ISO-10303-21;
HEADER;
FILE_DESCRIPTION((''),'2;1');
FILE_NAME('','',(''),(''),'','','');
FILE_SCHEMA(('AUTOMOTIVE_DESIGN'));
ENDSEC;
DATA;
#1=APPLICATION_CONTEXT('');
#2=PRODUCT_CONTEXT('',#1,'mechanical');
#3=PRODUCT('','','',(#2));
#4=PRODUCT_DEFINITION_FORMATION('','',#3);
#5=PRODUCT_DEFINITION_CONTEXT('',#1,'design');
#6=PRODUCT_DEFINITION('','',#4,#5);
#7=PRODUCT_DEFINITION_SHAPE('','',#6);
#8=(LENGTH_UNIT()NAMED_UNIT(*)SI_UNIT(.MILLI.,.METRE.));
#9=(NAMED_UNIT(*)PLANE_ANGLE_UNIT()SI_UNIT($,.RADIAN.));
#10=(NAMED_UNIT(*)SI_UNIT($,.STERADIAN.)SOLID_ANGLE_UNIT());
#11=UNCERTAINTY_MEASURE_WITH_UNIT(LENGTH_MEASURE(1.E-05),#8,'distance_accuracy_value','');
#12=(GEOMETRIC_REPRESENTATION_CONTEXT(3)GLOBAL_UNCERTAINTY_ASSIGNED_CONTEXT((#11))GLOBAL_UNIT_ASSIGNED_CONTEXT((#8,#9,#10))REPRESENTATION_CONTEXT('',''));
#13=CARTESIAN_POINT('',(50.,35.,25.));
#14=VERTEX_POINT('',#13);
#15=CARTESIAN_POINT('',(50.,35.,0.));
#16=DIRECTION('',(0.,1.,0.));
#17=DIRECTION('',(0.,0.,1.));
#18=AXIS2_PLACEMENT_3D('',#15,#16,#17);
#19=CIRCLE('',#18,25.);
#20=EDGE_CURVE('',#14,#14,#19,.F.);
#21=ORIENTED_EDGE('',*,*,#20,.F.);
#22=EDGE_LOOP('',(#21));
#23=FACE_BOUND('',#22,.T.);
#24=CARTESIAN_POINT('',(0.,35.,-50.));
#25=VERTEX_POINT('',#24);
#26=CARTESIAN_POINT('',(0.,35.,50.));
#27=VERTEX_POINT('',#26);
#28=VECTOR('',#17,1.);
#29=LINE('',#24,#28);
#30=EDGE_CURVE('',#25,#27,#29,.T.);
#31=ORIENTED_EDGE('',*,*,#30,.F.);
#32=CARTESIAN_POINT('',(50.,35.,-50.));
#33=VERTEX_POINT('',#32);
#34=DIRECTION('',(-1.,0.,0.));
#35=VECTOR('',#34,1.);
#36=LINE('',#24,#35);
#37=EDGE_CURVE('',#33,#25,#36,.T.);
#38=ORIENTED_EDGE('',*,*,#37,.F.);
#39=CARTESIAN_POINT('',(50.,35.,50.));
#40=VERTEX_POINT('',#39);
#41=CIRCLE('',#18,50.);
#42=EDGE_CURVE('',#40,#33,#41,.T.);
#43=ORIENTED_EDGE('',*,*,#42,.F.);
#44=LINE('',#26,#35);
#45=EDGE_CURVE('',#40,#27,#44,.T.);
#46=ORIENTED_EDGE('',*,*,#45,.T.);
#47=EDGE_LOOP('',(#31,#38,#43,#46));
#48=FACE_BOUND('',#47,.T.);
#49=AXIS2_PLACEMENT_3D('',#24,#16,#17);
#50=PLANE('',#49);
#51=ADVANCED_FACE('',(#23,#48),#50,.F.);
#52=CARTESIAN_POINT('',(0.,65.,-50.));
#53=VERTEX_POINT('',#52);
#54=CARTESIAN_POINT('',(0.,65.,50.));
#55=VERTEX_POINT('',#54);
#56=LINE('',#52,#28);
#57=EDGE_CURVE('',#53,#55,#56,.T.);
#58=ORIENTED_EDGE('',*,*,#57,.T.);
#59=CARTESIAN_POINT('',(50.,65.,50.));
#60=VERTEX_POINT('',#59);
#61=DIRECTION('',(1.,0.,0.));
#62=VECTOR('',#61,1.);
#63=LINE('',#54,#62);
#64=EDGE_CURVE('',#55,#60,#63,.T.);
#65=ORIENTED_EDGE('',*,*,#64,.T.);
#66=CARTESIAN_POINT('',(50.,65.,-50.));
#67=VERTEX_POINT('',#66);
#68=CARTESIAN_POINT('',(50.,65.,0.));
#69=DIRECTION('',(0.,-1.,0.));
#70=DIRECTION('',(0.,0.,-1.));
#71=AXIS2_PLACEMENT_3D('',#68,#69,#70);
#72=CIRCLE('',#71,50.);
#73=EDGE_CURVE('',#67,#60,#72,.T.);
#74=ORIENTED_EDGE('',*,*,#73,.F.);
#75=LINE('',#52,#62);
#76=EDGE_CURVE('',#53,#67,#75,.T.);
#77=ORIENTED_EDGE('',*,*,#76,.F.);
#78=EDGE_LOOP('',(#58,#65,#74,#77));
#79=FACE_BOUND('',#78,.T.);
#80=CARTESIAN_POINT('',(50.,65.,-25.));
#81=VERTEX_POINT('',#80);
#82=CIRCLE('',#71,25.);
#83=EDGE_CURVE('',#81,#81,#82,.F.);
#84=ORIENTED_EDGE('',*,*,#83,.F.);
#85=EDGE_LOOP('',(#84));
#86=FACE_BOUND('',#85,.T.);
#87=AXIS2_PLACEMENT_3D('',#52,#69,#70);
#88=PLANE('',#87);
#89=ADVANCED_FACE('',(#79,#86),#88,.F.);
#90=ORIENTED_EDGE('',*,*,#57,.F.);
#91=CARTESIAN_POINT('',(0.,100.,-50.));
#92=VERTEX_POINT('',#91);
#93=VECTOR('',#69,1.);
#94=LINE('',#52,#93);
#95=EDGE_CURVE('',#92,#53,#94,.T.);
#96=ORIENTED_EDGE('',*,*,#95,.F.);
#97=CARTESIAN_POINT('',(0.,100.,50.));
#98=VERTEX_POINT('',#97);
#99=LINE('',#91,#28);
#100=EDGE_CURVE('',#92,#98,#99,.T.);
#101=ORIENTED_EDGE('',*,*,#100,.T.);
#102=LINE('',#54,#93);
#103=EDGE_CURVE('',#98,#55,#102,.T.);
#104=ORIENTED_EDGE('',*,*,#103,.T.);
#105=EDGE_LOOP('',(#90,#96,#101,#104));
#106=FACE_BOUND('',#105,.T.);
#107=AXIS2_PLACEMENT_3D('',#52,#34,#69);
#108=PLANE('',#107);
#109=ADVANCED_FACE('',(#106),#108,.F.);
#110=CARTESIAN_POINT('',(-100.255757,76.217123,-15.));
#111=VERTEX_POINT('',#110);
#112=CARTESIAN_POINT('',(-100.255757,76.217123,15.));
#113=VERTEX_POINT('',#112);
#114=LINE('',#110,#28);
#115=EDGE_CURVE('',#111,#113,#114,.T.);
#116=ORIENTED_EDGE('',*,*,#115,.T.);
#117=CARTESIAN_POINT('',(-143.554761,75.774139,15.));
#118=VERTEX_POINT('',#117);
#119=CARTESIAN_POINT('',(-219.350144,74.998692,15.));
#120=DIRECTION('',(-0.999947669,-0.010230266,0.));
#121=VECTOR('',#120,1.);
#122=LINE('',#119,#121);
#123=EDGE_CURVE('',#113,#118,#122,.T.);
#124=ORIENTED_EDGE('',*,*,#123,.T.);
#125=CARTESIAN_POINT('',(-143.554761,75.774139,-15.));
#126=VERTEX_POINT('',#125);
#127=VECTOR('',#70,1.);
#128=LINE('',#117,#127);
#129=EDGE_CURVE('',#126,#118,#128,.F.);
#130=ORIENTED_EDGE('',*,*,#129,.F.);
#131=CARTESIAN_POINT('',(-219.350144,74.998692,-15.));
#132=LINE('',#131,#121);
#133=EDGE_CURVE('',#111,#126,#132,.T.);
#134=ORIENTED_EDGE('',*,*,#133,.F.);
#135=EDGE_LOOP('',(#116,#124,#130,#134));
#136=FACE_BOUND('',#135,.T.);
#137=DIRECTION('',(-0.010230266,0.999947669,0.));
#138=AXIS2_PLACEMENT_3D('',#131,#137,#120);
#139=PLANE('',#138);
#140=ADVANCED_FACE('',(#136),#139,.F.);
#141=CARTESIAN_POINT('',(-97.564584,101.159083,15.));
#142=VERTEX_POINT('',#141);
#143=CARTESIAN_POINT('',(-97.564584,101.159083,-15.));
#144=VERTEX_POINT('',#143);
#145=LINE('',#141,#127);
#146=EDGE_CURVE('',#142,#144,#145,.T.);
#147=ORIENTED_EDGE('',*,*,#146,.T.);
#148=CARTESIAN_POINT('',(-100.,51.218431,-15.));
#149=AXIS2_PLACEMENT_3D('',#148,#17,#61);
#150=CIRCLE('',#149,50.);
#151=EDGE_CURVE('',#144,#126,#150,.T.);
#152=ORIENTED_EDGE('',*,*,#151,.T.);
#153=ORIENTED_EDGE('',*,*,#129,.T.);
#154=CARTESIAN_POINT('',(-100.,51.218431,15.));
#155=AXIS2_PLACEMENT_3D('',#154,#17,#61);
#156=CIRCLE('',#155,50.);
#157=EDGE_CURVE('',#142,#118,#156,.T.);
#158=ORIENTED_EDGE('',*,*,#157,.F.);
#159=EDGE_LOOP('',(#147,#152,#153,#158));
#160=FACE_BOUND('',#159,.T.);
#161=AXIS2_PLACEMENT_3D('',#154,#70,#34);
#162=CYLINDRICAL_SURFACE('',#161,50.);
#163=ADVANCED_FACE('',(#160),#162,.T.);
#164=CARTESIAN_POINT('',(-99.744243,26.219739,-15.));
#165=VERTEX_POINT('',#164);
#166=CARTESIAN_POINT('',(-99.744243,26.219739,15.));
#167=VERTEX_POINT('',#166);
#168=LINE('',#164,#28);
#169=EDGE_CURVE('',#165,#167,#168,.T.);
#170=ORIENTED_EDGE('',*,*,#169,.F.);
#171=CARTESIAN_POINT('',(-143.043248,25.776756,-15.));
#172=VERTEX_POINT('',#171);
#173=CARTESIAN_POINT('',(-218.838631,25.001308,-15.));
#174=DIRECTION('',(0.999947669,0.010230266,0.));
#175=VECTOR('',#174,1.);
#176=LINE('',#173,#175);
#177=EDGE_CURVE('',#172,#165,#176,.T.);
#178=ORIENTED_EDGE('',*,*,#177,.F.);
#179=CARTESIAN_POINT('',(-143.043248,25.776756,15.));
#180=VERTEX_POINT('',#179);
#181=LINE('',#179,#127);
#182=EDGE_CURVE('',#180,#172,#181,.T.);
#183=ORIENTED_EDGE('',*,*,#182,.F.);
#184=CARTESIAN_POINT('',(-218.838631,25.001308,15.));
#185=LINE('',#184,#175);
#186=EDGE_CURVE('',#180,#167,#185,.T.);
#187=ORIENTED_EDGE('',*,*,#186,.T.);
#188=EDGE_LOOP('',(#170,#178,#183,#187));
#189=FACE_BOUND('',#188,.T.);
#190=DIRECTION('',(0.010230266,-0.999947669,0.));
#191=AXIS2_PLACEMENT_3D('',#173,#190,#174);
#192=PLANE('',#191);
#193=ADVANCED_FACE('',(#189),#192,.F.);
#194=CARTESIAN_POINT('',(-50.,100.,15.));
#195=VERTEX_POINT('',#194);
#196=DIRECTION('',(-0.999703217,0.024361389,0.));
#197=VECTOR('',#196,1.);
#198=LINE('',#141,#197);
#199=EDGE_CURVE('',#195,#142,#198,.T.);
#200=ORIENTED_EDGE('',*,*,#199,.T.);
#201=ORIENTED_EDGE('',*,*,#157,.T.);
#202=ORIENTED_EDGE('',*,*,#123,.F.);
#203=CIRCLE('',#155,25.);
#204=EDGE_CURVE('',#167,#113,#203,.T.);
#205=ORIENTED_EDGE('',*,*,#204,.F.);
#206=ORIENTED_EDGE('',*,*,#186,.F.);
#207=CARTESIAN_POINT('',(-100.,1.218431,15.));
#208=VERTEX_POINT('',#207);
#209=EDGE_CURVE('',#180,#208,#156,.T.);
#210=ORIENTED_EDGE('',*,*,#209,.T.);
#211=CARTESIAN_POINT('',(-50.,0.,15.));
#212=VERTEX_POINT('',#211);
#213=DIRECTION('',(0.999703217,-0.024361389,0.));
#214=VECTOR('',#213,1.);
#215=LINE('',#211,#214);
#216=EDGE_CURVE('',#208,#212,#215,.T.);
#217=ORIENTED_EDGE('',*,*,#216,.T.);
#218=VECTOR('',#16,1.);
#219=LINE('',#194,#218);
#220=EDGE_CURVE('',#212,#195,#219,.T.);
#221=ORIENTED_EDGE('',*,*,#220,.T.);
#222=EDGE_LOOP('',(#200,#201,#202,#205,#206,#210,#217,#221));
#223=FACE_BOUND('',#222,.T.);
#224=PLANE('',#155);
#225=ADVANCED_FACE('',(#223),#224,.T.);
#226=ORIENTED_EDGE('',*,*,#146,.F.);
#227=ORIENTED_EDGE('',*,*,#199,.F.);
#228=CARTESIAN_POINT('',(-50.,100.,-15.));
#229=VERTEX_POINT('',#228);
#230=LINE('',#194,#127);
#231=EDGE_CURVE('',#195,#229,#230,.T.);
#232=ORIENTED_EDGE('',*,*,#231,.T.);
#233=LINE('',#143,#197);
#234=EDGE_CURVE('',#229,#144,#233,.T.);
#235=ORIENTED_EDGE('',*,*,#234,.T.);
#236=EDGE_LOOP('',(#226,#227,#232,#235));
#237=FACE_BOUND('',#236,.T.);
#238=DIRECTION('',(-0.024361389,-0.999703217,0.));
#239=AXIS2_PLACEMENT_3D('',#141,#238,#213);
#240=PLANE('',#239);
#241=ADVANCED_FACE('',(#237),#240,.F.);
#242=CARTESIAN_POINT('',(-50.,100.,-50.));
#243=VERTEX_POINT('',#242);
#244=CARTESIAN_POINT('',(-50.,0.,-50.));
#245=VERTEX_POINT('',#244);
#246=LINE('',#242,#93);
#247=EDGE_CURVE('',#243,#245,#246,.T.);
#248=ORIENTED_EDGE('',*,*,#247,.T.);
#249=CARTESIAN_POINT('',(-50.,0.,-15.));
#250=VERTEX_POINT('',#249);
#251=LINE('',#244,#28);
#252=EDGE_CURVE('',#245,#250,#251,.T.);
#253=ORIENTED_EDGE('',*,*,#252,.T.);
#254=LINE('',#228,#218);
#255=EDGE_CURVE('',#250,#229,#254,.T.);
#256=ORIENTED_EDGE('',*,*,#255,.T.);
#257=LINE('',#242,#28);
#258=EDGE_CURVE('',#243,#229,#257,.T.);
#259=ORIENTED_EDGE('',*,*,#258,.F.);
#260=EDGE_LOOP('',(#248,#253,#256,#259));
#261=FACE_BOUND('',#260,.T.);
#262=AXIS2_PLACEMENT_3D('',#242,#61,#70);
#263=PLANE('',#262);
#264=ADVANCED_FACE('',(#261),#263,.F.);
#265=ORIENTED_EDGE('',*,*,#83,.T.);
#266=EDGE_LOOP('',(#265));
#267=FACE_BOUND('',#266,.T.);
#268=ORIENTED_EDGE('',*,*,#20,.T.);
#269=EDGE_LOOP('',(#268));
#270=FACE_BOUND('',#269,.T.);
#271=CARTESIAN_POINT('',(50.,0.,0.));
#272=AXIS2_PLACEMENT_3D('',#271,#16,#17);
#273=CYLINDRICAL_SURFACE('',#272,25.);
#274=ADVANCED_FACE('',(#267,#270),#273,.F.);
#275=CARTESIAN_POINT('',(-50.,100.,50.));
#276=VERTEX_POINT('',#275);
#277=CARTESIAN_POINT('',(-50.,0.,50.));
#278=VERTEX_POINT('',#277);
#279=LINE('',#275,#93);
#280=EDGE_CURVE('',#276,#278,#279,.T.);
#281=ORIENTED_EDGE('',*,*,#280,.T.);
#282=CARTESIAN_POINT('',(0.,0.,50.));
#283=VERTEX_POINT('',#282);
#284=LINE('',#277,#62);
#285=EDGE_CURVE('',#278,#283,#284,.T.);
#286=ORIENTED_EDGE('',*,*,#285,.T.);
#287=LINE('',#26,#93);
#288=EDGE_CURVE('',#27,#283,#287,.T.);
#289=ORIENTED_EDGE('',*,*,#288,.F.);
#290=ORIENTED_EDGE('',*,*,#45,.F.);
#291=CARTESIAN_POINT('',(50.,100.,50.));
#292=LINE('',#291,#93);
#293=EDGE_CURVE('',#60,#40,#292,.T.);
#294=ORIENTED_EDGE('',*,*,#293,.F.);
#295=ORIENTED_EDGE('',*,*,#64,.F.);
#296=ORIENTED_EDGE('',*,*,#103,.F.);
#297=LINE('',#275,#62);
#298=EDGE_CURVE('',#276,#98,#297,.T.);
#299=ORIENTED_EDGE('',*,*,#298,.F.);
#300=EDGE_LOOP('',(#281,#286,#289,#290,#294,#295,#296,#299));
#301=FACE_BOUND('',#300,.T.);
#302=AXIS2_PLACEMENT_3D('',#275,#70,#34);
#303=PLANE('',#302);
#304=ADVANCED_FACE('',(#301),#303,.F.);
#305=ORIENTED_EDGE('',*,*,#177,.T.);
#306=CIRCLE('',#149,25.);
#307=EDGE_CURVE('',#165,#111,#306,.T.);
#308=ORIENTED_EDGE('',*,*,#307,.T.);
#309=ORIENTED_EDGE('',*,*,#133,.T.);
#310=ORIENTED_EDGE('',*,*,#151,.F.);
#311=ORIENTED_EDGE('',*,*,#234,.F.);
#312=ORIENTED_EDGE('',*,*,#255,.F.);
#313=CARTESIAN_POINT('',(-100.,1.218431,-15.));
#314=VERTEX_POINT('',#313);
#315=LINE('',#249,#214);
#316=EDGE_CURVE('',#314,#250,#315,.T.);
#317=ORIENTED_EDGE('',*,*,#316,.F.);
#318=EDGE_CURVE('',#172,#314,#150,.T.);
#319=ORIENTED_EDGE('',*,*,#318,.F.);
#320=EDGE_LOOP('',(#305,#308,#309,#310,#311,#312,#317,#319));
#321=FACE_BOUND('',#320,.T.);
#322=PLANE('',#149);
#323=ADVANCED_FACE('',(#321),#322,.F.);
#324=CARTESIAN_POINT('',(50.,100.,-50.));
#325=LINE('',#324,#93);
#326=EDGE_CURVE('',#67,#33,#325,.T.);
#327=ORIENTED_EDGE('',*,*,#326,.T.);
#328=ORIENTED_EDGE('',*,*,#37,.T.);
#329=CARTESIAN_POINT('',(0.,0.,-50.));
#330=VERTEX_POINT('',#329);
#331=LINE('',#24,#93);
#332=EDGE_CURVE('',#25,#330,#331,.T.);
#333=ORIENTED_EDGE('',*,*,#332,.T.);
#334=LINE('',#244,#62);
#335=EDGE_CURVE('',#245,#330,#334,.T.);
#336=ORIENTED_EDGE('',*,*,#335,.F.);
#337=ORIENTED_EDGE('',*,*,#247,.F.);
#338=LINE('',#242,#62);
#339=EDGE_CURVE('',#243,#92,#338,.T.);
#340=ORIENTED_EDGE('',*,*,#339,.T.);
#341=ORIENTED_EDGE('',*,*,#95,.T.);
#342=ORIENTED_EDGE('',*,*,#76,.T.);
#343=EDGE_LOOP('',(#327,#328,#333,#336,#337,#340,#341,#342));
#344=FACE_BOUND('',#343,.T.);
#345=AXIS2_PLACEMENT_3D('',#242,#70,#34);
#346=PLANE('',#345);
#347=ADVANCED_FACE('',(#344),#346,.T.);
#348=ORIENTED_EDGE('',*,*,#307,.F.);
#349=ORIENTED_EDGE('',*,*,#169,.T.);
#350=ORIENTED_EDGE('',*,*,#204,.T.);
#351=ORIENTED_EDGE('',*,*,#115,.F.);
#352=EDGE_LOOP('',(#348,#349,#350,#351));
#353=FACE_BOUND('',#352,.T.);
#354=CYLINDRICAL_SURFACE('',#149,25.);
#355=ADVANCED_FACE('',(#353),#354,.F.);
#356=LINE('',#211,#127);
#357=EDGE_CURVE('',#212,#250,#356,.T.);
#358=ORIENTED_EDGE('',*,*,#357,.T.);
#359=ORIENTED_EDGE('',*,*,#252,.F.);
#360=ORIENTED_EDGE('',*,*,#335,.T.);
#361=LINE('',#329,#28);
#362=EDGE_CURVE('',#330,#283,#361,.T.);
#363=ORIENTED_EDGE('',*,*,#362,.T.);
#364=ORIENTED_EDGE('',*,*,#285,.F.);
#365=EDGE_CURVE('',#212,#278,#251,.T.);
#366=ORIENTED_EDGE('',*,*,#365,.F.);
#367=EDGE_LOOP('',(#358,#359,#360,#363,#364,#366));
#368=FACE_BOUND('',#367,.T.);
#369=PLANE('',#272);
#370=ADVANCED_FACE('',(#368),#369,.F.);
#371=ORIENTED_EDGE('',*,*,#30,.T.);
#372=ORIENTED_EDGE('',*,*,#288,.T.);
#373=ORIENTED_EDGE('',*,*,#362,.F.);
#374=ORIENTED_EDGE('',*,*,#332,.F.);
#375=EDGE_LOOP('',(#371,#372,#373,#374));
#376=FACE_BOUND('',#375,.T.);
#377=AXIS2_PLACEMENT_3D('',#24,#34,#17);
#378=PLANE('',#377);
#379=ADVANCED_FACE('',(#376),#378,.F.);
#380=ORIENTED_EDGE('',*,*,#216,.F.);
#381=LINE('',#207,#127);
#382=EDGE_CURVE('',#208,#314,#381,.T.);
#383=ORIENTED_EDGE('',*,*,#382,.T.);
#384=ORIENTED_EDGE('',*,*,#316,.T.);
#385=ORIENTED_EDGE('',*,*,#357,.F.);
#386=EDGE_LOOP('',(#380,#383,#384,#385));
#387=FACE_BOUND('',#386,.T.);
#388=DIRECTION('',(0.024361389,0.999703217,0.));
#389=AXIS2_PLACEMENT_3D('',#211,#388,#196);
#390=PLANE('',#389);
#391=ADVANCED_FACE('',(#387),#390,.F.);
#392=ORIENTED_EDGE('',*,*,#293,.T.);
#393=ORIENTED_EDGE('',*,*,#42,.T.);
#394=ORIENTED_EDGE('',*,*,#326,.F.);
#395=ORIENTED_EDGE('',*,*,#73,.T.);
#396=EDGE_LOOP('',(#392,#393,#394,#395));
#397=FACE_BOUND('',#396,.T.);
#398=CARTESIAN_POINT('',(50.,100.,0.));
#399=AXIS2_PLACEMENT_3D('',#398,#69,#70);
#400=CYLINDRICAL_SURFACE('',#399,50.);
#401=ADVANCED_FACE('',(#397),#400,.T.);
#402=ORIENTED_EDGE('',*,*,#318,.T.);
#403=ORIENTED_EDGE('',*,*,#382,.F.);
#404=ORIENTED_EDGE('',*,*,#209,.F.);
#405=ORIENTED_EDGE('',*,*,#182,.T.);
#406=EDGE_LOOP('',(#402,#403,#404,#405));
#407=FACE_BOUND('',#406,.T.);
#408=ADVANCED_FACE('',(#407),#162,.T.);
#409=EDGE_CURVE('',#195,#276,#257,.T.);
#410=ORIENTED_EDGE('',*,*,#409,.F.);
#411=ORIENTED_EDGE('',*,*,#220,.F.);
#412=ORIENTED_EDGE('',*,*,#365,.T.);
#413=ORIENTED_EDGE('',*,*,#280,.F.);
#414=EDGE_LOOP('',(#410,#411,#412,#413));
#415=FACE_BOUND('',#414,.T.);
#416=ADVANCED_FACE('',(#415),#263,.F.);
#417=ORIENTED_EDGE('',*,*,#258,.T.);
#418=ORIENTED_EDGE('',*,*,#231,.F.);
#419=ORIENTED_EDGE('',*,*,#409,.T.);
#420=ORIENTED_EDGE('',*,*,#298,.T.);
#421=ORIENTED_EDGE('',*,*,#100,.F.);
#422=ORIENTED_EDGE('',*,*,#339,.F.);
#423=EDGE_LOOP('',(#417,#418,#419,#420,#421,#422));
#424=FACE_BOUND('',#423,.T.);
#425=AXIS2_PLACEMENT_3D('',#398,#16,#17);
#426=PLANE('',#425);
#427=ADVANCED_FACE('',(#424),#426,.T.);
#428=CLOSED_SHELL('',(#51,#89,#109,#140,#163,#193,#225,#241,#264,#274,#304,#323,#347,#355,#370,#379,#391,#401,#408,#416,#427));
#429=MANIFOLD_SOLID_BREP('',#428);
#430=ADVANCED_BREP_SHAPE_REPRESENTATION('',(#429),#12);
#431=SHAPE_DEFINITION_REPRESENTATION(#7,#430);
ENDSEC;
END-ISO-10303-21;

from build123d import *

# Parameters (mm, degrees)
BOSS_EXTRUDE1_DEPTH = 100
SKETCH4_R           = 25
CUT_EXTRUDE2_DEPTH  = 100
SKETCH6_W           = 100.520267533
SKETCH6_H           = 35
CUT_EXTRUDE4_DEPTH  = 100
BOSS_EXTRUDE3_DEPTH = 15
SKETCH11_R          = 25
CUT_EXTRUDE5_DEPTH  = 30
CUT_EXTRUDE6_DEPTH  = 30


with BuildPart() as part:
    # Sketch2 → Boss-Extrude1 (new body)
    with BuildSketch(Plane(origin=(0, 0, 0), x_dir=(1, 0, 0), z_dir=(0, 1, 0))):
        with BuildLine():
            Line((-50, 50), (50, 50))
            ThreePointArc((50, 50), (100, 0), (50, -50))
            Line((50, -50), (-50, -50))
            Line((-50, -50), (-50, 50))
        make_face()
    extrude(amount=BOSS_EXTRUDE1_DEPTH)

    # Sketch4 → Cut-Extrude2 (cut)
    with BuildSketch(Plane(origin=(0, 100, 0), x_dir=(1, 0, 0), z_dir=(0, 1, 0))):
        with Locations((50, 0)):
            Circle(SKETCH4_R)
    extrude(amount=-CUT_EXTRUDE2_DEPTH, mode=Mode.SUBTRACT)

    # Sketch6 → Cut-Extrude4 (cut)
    with BuildSketch(Plane.XY.offset(50)):
        with Locations((50.260133767, 17.5)):
            Rectangle(SKETCH6_W, SKETCH6_H)
        with Locations((50.260133767, 82.5)):
            Rectangle(SKETCH6_W, SKETCH6_H)
    extrude(amount=-CUT_EXTRUDE4_DEPTH, mode=Mode.SUBTRACT)

    # Sketch10 → Boss-Extrude3 (add, symmetric)
    with BuildSketch(Plane.XY):
        with BuildLine():
            Line((-97.564584058, 101.159083353), (-50, 100))
            Line((-50, 100), (-50, 0))
            Line((-50, 0), (-100, 1.218431082))
            ThreePointArc((-100, 1.218431082), (-149.985160866, 52.436500555), (-97.564584058, 101.159083353))
        make_face()
    extrude(amount=BOSS_EXTRUDE3_DEPTH, both=True)

    # Sketch11 → Cut-Extrude5 (cut)
    with BuildSketch(Plane.XY.offset(15)):
        with Locations((-100, 51.218431082)):
            Circle(SKETCH11_R)
    extrude(amount=-CUT_EXTRUDE5_DEPTH, mode=Mode.SUBTRACT)

    # Sketch12 → Cut-Extrude6 (cut)
    with BuildSketch(Plane.XY.offset(15)):
        Polygon((-218.838630954, 25.001308264), (-99.744243338, 26.219739346), (-100.255756662, 76.217122818), (-219.350144278, 74.998691736), align=None)
    extrude(amount=-CUT_EXTRUDE6_DEPTH, mode=Mode.SUBTRACT)


solid = part.part
